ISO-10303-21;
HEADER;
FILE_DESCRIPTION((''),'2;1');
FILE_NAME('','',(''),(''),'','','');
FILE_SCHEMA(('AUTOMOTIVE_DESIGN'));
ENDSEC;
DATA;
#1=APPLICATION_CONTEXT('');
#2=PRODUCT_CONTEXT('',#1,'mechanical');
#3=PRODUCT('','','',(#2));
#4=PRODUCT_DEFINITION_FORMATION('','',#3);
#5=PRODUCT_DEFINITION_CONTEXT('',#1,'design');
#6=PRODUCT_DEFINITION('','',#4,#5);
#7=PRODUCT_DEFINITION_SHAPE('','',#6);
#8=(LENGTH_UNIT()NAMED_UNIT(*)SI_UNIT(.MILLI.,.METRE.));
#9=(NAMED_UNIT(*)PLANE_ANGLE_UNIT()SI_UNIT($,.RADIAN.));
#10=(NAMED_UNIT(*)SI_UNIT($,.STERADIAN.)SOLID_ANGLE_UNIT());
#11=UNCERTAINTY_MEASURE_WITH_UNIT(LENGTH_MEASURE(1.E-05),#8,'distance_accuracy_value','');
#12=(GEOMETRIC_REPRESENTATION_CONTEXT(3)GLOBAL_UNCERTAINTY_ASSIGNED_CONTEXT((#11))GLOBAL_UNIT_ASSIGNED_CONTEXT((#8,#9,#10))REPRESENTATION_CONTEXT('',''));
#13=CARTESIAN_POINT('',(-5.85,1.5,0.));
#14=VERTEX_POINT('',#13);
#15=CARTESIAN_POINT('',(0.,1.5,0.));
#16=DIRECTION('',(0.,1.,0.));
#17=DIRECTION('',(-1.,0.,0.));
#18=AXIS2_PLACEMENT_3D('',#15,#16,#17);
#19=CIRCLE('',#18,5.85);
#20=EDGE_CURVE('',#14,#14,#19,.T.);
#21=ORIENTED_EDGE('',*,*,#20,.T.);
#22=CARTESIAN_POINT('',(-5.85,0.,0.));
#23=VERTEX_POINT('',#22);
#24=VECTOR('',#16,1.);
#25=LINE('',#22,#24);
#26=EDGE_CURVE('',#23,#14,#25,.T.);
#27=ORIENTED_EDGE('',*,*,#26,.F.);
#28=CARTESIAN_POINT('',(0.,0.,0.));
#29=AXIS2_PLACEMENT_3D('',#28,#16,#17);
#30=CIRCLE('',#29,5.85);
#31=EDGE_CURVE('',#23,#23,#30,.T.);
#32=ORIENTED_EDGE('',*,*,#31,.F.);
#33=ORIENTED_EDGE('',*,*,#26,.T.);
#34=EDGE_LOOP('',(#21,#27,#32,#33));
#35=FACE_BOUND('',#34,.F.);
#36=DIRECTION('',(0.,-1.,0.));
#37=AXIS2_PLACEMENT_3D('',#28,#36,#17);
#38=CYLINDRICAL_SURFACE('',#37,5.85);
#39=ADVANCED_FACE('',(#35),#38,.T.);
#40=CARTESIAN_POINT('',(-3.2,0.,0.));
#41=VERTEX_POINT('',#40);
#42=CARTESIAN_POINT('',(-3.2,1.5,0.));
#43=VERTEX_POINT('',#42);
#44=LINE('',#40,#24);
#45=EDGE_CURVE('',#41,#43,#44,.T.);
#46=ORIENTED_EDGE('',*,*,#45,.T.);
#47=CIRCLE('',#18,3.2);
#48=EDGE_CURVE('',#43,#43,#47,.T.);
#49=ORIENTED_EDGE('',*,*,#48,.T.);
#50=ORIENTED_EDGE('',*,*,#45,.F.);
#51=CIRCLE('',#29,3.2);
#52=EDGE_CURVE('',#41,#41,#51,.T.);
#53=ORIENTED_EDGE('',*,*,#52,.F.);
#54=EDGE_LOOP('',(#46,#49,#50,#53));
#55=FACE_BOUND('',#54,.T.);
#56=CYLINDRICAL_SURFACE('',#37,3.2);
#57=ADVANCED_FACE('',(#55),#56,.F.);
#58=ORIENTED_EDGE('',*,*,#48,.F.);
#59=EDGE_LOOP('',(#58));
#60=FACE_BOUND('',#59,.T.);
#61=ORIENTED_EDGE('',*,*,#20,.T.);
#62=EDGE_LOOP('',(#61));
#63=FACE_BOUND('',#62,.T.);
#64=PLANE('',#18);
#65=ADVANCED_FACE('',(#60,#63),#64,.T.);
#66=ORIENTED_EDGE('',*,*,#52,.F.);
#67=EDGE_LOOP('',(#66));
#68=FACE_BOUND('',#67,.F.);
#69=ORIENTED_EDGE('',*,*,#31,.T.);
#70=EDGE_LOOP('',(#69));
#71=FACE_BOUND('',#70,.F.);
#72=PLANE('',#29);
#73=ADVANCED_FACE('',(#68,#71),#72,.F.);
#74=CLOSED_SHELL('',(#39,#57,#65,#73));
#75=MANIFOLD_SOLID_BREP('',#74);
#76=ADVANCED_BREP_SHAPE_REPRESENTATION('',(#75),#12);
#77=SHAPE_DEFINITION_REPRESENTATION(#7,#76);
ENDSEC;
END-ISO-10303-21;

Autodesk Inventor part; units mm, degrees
ref_plane "YZ Plane" through (0, 0, 0) normal (1, 0, 0) x (0, 1, 0)
ref_plane "XZ Plane" through (0, 0, 0) normal (0, 1, 0) x (-1, 0, 0)
ref_plane "XY Plane" through (0, 0, 0) normal (0, 0, 1) x (1, 0, 0)
sketch "Sketch1" plane through (0, 0, 0) normal (0, 1, 0) x (-1, 0, 0)
  circle A0 centre (0, 0) radius 3.2
  circle A1 centre (0, 0) radius 5.85
  dimension "d0" = 6.4
  dimension "d1" = 11.7
extrude "Extrusion1" add sketch "Sketch1" along normal blind 1.5
properties part number "washer12mm"
